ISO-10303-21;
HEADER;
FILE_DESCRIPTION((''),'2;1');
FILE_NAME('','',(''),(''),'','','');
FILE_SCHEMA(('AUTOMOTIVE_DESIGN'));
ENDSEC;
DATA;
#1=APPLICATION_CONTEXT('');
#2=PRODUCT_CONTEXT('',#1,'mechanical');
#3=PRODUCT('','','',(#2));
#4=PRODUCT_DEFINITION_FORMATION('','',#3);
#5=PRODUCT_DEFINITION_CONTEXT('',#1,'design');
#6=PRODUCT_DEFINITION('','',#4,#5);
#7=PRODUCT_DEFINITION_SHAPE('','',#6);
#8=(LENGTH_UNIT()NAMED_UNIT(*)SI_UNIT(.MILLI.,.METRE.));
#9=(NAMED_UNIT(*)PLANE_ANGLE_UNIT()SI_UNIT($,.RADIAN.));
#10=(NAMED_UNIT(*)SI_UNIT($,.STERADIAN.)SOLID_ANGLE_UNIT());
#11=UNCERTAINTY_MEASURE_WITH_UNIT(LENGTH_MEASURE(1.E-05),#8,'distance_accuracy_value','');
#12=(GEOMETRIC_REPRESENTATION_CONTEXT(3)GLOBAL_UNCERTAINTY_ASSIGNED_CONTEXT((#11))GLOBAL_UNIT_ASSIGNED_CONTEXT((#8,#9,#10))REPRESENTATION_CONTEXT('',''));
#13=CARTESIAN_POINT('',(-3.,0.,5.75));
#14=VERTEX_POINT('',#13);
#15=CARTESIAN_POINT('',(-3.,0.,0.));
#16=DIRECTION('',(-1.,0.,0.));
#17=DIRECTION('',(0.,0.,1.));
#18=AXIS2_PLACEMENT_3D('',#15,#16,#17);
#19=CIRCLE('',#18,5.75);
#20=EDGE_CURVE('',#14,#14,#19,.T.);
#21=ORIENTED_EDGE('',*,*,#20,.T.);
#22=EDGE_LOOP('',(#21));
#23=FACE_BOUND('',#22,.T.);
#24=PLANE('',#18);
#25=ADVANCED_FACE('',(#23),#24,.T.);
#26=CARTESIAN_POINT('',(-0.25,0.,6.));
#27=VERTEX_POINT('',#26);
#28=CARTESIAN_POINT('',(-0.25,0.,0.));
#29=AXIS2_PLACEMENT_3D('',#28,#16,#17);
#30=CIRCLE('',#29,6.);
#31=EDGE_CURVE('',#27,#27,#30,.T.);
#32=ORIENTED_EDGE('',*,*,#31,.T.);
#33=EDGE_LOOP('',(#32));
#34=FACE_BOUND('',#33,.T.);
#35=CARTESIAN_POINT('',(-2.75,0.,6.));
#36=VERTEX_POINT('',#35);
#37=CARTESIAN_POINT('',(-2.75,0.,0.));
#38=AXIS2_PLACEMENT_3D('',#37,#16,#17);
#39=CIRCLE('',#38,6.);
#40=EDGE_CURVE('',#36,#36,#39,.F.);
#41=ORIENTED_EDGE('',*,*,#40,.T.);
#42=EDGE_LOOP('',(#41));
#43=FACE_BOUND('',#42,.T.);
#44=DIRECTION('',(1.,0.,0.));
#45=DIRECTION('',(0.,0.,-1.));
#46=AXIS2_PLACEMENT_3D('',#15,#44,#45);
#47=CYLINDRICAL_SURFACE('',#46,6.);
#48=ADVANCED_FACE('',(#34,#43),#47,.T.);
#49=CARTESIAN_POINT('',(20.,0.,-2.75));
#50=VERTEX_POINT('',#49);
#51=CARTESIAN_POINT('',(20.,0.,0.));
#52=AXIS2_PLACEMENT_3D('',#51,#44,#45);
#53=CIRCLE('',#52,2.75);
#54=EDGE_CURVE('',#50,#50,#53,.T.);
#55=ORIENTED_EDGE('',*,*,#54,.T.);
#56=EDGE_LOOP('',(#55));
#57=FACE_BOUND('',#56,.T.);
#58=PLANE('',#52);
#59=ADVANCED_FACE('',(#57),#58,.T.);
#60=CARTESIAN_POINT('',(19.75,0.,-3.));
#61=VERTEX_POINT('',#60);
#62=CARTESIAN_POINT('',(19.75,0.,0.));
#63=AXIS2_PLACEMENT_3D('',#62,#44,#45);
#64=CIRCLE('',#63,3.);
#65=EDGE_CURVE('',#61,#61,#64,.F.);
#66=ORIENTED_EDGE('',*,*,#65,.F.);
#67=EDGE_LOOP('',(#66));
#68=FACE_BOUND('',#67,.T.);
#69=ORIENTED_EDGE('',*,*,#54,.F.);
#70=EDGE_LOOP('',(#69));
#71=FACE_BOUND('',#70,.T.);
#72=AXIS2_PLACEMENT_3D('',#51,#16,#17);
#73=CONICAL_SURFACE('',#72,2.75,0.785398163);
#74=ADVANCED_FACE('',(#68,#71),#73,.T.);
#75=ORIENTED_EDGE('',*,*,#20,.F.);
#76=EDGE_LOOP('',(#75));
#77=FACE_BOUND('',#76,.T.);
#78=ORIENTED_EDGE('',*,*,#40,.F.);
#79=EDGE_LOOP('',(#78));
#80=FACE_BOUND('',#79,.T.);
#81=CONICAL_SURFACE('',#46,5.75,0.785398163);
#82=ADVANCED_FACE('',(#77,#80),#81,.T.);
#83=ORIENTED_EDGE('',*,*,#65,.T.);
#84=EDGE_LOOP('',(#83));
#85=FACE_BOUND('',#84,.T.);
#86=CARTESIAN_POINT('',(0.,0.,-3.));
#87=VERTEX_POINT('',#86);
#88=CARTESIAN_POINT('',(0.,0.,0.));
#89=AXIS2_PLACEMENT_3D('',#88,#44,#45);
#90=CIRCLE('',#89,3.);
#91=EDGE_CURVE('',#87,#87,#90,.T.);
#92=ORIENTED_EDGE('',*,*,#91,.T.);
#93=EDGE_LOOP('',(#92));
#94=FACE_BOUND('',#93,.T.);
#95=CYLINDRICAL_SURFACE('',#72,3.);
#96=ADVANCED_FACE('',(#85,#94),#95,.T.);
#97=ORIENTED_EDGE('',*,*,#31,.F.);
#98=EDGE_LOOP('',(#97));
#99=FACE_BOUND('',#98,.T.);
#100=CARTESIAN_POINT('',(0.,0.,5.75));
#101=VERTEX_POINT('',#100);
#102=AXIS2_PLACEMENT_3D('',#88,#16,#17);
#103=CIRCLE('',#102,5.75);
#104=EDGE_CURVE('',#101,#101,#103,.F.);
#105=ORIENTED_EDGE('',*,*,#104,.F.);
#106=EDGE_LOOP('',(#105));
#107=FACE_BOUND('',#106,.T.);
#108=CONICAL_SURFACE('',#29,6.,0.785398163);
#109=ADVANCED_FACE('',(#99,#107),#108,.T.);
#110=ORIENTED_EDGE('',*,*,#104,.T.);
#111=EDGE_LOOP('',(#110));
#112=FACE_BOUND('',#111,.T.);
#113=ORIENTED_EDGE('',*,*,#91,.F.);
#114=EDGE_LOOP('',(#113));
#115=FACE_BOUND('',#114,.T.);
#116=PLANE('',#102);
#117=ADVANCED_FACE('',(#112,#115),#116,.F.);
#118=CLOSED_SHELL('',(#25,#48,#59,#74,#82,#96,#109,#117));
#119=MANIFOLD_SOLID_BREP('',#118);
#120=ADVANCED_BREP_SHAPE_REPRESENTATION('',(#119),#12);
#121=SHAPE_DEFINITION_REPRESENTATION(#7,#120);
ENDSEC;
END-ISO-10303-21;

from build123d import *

# Parameters (mm, degrees)
SKETCH1_R           = 3
SHAFT_DEPTH         = 20
SKETCH2_R           = 6
BOSS_EXTRUDE2_DEPTH = 3
CHAMFER1_SIZE       = 0.25


with BuildPart() as part:
    # Sketch1 → SHAFT (new body)
    with BuildSketch(Plane(origin=(0, 0, 0), x_dir=(0, 0, -1), z_dir=(1, 0, 0))):
        Circle(SKETCH1_R)
    extrude(amount=SHAFT_DEPTH)

    # Sketch2 → Boss-Extrude2 (add)
    with BuildSketch(Plane.ZY):
        Circle(SKETCH2_R)
    extrude(amount=BOSS_EXTRUDE2_DEPTH)

    # Chamfer1
    chamfer1_edges = [part.edges().sort_by_distance(p)[0] for p in [
        (20, 0, 3),
        (0, 0, -6),
        (-3, 0, -6),
    ]]
    chamfer(chamfer1_edges, length=CHAMFER1_SIZE)


solid = part.part
